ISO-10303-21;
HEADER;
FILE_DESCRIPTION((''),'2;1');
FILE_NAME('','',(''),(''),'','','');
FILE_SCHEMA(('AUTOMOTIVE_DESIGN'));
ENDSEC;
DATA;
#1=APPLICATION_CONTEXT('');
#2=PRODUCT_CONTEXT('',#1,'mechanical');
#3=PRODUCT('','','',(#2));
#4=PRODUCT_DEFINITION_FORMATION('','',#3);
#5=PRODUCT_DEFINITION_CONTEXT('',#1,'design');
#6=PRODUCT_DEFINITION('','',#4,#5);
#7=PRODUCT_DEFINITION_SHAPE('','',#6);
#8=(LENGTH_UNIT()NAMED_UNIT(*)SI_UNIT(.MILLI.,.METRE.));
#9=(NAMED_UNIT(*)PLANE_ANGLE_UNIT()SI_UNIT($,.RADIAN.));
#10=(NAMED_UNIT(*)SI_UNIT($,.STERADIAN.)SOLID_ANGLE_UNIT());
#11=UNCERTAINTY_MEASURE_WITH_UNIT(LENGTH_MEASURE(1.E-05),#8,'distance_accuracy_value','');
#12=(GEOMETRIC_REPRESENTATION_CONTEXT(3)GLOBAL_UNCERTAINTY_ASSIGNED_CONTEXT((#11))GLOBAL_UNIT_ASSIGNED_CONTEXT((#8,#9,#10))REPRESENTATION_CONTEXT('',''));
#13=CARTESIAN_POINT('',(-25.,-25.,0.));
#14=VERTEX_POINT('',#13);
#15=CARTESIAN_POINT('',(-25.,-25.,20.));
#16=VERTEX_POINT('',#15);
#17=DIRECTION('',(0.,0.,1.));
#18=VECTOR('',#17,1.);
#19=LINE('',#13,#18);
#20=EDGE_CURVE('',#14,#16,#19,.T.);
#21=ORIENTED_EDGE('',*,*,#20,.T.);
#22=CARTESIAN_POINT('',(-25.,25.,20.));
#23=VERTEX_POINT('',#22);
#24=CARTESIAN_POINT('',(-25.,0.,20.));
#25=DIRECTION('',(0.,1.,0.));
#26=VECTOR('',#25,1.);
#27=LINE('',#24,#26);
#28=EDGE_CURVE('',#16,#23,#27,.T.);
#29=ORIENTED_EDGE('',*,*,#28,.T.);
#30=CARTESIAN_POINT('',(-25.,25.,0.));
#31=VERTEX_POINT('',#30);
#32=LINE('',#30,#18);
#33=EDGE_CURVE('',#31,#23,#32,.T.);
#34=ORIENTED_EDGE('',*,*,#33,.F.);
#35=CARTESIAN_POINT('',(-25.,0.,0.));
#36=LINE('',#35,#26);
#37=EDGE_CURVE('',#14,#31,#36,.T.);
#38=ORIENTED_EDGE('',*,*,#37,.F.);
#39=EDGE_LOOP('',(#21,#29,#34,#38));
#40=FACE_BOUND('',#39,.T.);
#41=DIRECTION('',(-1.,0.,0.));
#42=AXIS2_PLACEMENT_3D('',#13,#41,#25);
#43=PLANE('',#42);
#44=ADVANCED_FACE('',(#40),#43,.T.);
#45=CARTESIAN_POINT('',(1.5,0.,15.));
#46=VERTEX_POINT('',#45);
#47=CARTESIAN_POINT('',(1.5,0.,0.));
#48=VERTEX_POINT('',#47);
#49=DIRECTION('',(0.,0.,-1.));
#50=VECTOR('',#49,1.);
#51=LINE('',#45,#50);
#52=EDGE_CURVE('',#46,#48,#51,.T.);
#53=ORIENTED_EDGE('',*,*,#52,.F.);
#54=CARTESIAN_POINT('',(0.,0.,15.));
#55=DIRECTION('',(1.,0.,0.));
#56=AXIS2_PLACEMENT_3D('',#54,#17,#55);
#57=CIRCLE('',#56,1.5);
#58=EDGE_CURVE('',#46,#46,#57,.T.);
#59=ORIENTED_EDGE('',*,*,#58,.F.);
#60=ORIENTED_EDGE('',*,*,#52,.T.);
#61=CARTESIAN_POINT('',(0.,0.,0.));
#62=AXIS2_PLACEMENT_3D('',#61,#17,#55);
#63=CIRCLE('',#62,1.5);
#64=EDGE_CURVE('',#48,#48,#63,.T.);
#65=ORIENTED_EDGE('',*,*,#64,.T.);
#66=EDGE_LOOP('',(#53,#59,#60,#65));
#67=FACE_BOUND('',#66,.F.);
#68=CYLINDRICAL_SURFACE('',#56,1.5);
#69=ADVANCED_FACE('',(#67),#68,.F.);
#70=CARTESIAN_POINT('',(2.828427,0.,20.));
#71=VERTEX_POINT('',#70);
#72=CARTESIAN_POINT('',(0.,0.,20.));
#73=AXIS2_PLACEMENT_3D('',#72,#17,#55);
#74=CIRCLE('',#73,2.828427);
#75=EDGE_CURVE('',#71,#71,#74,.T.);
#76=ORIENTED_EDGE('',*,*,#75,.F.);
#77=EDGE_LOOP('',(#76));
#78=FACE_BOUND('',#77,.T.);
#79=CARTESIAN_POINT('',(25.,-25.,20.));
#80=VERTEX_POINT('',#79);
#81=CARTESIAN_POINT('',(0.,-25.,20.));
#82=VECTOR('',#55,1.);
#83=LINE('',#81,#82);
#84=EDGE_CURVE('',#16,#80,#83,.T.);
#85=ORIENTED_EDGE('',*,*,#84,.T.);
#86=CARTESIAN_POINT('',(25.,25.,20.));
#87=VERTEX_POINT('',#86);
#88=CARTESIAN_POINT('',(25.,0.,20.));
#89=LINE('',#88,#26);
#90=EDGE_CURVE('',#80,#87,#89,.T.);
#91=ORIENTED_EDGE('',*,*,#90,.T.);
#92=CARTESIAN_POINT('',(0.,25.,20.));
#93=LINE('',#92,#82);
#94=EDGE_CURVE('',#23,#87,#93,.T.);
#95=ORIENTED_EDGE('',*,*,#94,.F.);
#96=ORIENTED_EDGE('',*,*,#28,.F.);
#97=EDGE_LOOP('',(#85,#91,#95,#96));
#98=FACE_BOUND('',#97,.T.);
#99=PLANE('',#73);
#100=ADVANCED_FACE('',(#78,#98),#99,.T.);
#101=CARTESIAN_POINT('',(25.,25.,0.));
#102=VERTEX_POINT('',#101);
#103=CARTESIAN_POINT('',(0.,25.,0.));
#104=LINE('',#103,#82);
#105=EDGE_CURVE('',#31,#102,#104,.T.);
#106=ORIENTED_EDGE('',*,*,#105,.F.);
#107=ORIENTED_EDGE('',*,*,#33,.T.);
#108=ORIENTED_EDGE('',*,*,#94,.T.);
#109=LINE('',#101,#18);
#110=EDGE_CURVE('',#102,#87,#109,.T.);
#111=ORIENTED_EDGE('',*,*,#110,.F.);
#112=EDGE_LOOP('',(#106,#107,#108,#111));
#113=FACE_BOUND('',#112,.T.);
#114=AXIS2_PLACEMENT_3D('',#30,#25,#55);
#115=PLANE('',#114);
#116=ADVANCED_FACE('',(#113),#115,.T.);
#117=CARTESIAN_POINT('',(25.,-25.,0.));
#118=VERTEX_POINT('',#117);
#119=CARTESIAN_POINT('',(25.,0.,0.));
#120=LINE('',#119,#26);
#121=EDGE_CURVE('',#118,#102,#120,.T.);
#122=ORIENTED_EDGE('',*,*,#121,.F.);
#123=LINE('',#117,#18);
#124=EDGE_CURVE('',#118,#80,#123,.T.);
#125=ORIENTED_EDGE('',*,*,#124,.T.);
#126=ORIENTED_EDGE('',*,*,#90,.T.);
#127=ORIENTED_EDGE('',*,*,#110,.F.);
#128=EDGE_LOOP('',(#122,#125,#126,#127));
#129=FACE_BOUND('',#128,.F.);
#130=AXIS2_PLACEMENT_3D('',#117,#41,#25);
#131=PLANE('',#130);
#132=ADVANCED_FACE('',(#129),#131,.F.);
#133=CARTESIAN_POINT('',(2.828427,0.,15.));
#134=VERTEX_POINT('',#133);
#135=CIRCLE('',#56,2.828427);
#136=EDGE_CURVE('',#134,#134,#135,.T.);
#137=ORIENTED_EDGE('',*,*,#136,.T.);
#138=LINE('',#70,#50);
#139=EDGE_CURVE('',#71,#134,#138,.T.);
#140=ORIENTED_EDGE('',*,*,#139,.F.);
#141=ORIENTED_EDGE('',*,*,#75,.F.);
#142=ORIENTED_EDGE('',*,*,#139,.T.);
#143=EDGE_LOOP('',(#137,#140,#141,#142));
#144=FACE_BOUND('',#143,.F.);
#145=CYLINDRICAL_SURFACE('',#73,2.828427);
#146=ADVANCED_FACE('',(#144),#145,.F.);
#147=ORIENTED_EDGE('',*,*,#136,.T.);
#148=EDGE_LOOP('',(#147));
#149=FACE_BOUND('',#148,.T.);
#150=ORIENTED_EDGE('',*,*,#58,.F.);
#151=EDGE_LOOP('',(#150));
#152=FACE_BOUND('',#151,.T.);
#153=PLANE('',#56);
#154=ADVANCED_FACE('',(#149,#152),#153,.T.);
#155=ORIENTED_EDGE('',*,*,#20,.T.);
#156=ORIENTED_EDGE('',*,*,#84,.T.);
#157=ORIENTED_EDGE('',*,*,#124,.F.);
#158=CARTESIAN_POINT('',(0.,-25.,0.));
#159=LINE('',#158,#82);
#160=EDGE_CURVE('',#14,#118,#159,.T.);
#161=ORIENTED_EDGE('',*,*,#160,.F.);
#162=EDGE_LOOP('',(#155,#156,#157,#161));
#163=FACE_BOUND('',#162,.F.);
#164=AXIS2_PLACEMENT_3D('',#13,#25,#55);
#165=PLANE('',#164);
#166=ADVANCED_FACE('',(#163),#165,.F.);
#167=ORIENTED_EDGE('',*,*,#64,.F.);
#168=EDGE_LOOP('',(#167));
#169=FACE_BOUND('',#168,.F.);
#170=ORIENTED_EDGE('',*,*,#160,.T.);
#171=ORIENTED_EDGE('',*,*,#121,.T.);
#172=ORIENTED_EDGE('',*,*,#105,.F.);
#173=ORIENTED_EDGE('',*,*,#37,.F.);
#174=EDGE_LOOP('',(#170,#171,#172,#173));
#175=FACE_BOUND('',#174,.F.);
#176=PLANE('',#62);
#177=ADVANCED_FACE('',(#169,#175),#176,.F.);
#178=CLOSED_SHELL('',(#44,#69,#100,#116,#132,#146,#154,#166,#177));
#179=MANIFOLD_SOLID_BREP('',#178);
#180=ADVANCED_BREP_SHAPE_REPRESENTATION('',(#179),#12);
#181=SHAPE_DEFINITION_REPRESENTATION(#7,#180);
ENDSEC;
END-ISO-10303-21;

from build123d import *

# Parameters (mm, degrees)
F0_W     = 50
F0_H     = 50
F1_DEPTH = 20
F2_R     = 2.828427
F3_DEPTH = 5
F4_R     = 1.5
F5_DEPTH = 25


with BuildPart() as f1:
    # F0 (on Top) → F1 (new body)
    with BuildSketch(Plane.XY):
        Rectangle(F0_W, F0_H)
    extrude(amount=F1_DEPTH)

    # F2 (on face) → F3 (cut)
    with BuildSketch(Plane.XY.offset(20)):
        Circle(F2_R)
    extrude(amount=-F3_DEPTH, mode=Mode.SUBTRACT)

    # F4 (on face) → F5 (cut)
    with BuildSketch(Plane.XY.offset(15)):
        Circle(F4_R)
    extrude(amount=-F5_DEPTH, mode=Mode.SUBTRACT)


solid = f1.part
